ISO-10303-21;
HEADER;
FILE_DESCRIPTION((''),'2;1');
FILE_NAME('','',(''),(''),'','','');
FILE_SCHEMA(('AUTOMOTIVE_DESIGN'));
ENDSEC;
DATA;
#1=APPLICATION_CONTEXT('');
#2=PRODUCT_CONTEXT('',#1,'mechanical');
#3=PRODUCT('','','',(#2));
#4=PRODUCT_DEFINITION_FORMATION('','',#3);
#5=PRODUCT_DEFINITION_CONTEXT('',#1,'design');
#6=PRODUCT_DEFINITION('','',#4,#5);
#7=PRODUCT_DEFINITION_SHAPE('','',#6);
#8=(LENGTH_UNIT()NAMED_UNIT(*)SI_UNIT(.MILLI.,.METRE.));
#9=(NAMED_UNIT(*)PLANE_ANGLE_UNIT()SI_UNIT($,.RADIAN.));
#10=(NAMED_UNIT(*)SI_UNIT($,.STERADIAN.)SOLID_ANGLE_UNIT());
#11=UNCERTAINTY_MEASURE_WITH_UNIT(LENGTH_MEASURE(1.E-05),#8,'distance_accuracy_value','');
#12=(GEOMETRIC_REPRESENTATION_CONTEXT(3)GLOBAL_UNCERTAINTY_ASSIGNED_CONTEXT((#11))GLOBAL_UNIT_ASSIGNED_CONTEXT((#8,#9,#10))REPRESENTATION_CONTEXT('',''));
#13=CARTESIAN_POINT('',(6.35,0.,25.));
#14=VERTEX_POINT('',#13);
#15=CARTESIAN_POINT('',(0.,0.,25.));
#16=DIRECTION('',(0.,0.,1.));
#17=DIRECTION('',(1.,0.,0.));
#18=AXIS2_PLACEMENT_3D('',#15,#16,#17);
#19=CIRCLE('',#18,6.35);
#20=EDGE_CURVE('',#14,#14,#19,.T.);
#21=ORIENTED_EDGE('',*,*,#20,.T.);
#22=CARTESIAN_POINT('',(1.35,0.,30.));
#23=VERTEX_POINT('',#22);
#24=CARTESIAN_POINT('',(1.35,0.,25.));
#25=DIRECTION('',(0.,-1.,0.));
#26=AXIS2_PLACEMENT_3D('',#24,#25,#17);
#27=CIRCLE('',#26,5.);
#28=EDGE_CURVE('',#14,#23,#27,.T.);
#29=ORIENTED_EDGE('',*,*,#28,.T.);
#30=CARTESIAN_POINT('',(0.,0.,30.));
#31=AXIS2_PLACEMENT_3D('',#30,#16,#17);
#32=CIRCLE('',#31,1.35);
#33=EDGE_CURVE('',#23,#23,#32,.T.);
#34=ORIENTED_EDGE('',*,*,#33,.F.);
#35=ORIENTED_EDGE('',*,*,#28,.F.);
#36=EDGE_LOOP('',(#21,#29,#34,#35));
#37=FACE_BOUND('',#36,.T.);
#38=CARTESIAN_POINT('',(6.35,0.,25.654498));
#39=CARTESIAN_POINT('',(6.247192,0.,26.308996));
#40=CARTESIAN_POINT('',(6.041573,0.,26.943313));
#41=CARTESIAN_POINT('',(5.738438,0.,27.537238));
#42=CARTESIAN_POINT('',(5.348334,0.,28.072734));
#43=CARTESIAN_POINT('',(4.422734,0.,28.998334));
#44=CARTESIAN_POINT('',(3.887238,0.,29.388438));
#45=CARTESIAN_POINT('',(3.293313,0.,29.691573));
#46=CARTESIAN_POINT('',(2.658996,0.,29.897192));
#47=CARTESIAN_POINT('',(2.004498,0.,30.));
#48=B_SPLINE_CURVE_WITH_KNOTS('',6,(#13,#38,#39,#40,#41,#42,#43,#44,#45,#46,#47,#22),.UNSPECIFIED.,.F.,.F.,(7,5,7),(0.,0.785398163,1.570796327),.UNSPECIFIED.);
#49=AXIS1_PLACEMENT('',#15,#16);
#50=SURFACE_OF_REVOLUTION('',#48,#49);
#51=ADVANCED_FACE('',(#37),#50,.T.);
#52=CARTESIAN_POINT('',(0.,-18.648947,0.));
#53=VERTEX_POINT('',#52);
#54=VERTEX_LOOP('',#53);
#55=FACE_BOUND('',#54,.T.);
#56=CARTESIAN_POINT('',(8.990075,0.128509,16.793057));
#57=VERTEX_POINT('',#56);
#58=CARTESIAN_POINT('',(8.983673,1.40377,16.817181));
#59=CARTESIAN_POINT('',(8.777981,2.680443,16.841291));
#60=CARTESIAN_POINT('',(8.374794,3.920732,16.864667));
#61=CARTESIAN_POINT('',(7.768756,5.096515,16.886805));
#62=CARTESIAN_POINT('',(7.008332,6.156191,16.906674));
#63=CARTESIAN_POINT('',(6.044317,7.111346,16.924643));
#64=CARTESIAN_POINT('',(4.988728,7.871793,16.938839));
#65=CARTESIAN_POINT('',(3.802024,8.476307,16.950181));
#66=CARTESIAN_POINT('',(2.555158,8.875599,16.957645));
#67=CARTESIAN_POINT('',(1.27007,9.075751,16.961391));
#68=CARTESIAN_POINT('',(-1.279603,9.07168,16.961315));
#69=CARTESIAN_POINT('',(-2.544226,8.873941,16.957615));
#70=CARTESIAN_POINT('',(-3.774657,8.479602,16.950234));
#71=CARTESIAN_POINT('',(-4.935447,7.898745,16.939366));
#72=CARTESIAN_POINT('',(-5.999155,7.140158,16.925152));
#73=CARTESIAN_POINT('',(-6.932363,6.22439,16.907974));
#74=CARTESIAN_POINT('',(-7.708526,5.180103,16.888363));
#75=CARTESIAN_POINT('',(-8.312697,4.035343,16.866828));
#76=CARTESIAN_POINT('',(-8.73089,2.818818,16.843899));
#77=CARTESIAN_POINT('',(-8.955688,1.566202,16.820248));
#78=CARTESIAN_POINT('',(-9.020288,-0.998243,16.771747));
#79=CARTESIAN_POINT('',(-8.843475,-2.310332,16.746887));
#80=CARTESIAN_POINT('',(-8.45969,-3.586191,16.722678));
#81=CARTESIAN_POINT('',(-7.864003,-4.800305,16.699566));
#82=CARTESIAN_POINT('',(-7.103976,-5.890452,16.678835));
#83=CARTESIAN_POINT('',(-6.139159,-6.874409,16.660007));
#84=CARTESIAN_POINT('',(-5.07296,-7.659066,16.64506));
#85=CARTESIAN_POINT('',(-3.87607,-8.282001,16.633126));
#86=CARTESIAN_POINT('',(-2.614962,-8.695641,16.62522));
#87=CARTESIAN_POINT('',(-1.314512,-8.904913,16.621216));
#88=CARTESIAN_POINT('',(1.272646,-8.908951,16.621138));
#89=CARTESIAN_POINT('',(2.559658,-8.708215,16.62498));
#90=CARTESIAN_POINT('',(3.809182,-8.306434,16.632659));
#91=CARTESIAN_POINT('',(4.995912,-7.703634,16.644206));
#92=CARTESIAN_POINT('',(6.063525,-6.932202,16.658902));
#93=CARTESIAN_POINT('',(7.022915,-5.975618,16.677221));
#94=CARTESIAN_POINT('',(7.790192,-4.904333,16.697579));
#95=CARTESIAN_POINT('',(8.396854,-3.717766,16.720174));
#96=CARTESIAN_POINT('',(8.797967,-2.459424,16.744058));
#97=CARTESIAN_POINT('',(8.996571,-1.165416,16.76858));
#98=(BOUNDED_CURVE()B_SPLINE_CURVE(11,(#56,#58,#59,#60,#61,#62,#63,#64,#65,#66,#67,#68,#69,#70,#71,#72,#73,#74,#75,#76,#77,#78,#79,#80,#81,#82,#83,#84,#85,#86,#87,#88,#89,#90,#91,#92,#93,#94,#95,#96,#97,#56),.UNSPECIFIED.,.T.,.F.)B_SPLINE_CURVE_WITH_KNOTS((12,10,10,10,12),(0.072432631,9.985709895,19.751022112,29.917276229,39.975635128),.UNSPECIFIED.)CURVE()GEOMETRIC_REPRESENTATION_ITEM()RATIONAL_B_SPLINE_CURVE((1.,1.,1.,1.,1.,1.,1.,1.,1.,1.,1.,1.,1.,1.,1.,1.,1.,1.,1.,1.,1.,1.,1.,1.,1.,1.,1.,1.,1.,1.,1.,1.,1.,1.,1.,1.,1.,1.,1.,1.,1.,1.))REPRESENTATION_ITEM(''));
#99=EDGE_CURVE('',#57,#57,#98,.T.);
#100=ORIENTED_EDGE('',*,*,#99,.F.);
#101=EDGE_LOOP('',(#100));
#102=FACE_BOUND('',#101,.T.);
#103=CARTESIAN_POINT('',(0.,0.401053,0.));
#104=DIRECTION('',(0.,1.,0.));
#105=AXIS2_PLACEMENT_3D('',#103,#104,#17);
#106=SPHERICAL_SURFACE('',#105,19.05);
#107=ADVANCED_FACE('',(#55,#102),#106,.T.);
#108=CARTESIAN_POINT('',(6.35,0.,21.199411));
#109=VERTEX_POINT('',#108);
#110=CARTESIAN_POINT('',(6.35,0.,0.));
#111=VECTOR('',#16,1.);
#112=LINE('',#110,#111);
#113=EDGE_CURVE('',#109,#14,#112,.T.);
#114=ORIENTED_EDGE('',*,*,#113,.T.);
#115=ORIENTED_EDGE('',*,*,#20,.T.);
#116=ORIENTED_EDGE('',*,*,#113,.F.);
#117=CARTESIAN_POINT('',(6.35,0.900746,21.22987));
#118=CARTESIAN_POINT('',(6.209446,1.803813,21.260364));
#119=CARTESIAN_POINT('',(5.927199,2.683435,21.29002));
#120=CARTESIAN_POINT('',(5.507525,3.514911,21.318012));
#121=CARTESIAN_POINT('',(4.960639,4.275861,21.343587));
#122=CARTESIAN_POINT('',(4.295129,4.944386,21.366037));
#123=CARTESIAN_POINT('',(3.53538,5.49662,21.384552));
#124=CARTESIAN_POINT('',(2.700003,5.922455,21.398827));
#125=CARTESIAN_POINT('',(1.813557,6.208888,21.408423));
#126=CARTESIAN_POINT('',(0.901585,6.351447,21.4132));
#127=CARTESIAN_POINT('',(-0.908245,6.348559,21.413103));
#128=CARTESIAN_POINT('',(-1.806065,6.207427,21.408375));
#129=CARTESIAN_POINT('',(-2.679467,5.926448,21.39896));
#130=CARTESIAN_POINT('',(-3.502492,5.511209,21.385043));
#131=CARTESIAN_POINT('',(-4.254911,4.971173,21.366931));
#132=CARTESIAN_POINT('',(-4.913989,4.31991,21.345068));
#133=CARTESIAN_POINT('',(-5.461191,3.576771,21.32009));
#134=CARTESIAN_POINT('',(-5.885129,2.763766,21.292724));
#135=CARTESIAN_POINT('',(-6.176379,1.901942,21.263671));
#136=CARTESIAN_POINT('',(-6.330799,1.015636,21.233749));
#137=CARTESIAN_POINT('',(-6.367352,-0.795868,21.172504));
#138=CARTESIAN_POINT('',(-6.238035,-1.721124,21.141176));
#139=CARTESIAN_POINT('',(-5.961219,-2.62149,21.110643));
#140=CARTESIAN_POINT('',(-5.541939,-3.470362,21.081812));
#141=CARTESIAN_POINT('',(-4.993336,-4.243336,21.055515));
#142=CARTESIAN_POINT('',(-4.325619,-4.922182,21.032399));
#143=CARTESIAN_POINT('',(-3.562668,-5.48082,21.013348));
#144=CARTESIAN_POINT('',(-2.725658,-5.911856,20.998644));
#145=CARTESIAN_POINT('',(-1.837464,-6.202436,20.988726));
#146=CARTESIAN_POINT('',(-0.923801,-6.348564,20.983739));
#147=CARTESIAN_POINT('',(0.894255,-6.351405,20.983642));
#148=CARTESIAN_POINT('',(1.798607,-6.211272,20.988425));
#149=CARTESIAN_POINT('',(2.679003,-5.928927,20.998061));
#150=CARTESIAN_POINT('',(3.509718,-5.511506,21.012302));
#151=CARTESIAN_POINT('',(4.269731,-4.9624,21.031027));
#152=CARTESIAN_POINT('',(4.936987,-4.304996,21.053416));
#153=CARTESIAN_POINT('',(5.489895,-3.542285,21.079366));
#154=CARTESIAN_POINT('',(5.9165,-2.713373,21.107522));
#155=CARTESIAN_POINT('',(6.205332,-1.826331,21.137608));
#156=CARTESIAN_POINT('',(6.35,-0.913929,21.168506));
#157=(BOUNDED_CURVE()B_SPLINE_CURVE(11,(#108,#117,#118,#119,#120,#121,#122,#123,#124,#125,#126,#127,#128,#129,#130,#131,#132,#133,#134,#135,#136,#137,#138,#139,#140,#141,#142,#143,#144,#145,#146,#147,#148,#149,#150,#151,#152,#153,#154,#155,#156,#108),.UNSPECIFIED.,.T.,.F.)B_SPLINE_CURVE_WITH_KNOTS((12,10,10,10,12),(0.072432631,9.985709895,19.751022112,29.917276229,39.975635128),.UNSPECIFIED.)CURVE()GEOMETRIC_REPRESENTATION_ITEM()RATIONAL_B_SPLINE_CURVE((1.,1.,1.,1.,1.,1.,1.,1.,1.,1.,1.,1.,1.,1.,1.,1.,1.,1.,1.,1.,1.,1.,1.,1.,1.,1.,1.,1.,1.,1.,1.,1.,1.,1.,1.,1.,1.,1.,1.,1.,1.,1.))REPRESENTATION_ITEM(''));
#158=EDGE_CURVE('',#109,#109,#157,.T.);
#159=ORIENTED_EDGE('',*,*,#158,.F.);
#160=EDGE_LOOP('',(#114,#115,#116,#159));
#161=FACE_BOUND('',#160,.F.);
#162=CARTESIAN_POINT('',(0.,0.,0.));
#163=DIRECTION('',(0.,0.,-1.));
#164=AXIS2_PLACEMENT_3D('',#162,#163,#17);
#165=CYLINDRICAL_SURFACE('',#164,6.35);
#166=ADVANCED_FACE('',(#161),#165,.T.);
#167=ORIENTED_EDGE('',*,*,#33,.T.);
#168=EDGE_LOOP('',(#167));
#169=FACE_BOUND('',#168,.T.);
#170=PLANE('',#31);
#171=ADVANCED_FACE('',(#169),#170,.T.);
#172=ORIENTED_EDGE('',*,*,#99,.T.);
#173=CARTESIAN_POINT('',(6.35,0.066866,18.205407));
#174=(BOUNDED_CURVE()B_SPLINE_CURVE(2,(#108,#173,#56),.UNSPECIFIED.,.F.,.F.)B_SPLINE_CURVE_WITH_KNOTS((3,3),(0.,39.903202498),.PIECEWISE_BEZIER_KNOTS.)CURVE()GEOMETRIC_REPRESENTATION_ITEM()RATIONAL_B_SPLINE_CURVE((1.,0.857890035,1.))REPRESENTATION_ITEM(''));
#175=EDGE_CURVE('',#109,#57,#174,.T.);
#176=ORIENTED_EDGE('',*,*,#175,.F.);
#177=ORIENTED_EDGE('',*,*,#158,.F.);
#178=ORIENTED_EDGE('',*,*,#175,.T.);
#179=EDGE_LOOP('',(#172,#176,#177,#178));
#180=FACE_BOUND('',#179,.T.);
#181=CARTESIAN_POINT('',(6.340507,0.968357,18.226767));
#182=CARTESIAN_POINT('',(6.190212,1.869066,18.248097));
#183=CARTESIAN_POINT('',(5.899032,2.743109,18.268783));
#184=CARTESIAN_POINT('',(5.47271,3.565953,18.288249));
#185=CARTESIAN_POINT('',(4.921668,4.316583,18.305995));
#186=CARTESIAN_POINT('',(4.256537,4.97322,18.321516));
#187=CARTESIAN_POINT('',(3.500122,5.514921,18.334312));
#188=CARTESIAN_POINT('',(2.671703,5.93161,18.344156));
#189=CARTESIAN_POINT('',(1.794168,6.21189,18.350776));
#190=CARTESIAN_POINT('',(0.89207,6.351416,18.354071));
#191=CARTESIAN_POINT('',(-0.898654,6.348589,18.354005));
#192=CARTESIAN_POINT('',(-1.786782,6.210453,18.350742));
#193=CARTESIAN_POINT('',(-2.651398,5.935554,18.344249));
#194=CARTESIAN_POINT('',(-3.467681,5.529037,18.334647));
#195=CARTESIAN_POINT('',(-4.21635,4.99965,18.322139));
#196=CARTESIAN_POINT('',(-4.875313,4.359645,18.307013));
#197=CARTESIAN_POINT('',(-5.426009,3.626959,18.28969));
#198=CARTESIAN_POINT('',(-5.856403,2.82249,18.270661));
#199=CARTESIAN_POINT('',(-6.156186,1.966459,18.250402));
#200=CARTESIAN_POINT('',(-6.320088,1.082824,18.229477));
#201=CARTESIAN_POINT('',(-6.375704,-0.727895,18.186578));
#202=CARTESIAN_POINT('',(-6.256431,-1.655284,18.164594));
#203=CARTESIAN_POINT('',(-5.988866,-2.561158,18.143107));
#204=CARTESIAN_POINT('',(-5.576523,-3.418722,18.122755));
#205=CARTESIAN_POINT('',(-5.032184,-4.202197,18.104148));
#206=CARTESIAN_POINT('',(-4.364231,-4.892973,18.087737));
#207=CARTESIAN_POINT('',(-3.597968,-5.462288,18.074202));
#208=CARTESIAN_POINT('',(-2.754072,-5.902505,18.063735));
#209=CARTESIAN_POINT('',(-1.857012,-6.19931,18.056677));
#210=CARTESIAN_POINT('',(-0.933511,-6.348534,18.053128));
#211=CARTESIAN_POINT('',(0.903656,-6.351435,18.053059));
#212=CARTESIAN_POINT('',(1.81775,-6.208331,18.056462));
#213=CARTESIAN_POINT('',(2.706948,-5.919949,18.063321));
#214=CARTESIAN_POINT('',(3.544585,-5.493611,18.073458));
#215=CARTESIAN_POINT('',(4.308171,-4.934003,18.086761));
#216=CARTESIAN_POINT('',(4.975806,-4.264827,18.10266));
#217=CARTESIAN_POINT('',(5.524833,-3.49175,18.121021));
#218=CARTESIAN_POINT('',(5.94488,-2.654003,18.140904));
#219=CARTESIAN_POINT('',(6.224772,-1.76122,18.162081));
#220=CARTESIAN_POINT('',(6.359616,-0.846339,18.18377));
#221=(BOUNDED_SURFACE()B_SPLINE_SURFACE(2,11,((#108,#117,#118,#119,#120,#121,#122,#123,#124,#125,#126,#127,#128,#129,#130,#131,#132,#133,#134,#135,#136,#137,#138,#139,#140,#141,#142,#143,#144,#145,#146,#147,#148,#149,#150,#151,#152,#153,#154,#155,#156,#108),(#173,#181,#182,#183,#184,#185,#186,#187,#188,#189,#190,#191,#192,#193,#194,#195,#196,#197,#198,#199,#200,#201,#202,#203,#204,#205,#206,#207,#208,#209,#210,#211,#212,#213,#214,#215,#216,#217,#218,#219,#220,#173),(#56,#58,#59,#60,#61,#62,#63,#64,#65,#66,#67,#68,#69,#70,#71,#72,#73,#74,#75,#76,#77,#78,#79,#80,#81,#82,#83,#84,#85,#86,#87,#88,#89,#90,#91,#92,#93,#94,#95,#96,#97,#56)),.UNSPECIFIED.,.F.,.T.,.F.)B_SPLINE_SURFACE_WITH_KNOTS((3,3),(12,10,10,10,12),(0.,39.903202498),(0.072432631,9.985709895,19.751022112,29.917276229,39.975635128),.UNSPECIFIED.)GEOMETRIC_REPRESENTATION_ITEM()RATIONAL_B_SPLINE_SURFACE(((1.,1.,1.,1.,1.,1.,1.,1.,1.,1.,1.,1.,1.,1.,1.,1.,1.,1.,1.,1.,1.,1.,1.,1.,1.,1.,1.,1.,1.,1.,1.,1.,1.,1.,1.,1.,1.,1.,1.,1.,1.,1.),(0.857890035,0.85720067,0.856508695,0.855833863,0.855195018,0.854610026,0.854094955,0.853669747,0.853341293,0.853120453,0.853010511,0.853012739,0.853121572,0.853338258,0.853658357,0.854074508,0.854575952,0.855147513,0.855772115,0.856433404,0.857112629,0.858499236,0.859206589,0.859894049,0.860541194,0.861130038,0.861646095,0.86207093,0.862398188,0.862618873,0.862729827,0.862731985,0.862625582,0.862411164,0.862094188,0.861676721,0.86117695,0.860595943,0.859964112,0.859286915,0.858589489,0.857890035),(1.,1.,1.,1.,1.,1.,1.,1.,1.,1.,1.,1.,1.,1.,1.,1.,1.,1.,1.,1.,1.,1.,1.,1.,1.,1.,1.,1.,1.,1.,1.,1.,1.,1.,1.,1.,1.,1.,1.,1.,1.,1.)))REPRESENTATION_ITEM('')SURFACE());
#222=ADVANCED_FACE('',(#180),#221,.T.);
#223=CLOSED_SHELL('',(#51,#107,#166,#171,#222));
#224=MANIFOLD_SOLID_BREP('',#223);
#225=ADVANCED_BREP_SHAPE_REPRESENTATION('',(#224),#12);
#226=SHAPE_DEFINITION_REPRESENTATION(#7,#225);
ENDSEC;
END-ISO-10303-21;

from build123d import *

# Parameters (mm, degrees)
F0_R     = 6.35
F3_DEPTH = 30
F4_R     = 5


with BuildPart() as f2:
    # F1 (on Top) → F2 (revolve)
    with BuildSketch(Plane.XY):
        with BuildLine():
            Line((0, 19.451053), (0, -18.648947))
            ThreePointArc((0, -18.648947), (19.05, 0.401053), (0, 19.451053))
        make_face()
    revolve(axis=Axis((0, 0.401053, 0), (0, 1, 0)))

    # F0 (on Top) → F3 (join)
    with BuildSketch(Plane.XY):
        Circle(F0_R)
    extrude(amount=F3_DEPTH)

    # F4
    f4_edges = [f2.edges().sort_by_distance(p)[0] for p in [
        (19.05, 0.401053, 0),
        (-6.35, -1.7e-05, 17.956034),
        (-6.35, 0, 30),
    ]]
    fillet(f4_edges, radius=F4_R)


solid = f2.part
